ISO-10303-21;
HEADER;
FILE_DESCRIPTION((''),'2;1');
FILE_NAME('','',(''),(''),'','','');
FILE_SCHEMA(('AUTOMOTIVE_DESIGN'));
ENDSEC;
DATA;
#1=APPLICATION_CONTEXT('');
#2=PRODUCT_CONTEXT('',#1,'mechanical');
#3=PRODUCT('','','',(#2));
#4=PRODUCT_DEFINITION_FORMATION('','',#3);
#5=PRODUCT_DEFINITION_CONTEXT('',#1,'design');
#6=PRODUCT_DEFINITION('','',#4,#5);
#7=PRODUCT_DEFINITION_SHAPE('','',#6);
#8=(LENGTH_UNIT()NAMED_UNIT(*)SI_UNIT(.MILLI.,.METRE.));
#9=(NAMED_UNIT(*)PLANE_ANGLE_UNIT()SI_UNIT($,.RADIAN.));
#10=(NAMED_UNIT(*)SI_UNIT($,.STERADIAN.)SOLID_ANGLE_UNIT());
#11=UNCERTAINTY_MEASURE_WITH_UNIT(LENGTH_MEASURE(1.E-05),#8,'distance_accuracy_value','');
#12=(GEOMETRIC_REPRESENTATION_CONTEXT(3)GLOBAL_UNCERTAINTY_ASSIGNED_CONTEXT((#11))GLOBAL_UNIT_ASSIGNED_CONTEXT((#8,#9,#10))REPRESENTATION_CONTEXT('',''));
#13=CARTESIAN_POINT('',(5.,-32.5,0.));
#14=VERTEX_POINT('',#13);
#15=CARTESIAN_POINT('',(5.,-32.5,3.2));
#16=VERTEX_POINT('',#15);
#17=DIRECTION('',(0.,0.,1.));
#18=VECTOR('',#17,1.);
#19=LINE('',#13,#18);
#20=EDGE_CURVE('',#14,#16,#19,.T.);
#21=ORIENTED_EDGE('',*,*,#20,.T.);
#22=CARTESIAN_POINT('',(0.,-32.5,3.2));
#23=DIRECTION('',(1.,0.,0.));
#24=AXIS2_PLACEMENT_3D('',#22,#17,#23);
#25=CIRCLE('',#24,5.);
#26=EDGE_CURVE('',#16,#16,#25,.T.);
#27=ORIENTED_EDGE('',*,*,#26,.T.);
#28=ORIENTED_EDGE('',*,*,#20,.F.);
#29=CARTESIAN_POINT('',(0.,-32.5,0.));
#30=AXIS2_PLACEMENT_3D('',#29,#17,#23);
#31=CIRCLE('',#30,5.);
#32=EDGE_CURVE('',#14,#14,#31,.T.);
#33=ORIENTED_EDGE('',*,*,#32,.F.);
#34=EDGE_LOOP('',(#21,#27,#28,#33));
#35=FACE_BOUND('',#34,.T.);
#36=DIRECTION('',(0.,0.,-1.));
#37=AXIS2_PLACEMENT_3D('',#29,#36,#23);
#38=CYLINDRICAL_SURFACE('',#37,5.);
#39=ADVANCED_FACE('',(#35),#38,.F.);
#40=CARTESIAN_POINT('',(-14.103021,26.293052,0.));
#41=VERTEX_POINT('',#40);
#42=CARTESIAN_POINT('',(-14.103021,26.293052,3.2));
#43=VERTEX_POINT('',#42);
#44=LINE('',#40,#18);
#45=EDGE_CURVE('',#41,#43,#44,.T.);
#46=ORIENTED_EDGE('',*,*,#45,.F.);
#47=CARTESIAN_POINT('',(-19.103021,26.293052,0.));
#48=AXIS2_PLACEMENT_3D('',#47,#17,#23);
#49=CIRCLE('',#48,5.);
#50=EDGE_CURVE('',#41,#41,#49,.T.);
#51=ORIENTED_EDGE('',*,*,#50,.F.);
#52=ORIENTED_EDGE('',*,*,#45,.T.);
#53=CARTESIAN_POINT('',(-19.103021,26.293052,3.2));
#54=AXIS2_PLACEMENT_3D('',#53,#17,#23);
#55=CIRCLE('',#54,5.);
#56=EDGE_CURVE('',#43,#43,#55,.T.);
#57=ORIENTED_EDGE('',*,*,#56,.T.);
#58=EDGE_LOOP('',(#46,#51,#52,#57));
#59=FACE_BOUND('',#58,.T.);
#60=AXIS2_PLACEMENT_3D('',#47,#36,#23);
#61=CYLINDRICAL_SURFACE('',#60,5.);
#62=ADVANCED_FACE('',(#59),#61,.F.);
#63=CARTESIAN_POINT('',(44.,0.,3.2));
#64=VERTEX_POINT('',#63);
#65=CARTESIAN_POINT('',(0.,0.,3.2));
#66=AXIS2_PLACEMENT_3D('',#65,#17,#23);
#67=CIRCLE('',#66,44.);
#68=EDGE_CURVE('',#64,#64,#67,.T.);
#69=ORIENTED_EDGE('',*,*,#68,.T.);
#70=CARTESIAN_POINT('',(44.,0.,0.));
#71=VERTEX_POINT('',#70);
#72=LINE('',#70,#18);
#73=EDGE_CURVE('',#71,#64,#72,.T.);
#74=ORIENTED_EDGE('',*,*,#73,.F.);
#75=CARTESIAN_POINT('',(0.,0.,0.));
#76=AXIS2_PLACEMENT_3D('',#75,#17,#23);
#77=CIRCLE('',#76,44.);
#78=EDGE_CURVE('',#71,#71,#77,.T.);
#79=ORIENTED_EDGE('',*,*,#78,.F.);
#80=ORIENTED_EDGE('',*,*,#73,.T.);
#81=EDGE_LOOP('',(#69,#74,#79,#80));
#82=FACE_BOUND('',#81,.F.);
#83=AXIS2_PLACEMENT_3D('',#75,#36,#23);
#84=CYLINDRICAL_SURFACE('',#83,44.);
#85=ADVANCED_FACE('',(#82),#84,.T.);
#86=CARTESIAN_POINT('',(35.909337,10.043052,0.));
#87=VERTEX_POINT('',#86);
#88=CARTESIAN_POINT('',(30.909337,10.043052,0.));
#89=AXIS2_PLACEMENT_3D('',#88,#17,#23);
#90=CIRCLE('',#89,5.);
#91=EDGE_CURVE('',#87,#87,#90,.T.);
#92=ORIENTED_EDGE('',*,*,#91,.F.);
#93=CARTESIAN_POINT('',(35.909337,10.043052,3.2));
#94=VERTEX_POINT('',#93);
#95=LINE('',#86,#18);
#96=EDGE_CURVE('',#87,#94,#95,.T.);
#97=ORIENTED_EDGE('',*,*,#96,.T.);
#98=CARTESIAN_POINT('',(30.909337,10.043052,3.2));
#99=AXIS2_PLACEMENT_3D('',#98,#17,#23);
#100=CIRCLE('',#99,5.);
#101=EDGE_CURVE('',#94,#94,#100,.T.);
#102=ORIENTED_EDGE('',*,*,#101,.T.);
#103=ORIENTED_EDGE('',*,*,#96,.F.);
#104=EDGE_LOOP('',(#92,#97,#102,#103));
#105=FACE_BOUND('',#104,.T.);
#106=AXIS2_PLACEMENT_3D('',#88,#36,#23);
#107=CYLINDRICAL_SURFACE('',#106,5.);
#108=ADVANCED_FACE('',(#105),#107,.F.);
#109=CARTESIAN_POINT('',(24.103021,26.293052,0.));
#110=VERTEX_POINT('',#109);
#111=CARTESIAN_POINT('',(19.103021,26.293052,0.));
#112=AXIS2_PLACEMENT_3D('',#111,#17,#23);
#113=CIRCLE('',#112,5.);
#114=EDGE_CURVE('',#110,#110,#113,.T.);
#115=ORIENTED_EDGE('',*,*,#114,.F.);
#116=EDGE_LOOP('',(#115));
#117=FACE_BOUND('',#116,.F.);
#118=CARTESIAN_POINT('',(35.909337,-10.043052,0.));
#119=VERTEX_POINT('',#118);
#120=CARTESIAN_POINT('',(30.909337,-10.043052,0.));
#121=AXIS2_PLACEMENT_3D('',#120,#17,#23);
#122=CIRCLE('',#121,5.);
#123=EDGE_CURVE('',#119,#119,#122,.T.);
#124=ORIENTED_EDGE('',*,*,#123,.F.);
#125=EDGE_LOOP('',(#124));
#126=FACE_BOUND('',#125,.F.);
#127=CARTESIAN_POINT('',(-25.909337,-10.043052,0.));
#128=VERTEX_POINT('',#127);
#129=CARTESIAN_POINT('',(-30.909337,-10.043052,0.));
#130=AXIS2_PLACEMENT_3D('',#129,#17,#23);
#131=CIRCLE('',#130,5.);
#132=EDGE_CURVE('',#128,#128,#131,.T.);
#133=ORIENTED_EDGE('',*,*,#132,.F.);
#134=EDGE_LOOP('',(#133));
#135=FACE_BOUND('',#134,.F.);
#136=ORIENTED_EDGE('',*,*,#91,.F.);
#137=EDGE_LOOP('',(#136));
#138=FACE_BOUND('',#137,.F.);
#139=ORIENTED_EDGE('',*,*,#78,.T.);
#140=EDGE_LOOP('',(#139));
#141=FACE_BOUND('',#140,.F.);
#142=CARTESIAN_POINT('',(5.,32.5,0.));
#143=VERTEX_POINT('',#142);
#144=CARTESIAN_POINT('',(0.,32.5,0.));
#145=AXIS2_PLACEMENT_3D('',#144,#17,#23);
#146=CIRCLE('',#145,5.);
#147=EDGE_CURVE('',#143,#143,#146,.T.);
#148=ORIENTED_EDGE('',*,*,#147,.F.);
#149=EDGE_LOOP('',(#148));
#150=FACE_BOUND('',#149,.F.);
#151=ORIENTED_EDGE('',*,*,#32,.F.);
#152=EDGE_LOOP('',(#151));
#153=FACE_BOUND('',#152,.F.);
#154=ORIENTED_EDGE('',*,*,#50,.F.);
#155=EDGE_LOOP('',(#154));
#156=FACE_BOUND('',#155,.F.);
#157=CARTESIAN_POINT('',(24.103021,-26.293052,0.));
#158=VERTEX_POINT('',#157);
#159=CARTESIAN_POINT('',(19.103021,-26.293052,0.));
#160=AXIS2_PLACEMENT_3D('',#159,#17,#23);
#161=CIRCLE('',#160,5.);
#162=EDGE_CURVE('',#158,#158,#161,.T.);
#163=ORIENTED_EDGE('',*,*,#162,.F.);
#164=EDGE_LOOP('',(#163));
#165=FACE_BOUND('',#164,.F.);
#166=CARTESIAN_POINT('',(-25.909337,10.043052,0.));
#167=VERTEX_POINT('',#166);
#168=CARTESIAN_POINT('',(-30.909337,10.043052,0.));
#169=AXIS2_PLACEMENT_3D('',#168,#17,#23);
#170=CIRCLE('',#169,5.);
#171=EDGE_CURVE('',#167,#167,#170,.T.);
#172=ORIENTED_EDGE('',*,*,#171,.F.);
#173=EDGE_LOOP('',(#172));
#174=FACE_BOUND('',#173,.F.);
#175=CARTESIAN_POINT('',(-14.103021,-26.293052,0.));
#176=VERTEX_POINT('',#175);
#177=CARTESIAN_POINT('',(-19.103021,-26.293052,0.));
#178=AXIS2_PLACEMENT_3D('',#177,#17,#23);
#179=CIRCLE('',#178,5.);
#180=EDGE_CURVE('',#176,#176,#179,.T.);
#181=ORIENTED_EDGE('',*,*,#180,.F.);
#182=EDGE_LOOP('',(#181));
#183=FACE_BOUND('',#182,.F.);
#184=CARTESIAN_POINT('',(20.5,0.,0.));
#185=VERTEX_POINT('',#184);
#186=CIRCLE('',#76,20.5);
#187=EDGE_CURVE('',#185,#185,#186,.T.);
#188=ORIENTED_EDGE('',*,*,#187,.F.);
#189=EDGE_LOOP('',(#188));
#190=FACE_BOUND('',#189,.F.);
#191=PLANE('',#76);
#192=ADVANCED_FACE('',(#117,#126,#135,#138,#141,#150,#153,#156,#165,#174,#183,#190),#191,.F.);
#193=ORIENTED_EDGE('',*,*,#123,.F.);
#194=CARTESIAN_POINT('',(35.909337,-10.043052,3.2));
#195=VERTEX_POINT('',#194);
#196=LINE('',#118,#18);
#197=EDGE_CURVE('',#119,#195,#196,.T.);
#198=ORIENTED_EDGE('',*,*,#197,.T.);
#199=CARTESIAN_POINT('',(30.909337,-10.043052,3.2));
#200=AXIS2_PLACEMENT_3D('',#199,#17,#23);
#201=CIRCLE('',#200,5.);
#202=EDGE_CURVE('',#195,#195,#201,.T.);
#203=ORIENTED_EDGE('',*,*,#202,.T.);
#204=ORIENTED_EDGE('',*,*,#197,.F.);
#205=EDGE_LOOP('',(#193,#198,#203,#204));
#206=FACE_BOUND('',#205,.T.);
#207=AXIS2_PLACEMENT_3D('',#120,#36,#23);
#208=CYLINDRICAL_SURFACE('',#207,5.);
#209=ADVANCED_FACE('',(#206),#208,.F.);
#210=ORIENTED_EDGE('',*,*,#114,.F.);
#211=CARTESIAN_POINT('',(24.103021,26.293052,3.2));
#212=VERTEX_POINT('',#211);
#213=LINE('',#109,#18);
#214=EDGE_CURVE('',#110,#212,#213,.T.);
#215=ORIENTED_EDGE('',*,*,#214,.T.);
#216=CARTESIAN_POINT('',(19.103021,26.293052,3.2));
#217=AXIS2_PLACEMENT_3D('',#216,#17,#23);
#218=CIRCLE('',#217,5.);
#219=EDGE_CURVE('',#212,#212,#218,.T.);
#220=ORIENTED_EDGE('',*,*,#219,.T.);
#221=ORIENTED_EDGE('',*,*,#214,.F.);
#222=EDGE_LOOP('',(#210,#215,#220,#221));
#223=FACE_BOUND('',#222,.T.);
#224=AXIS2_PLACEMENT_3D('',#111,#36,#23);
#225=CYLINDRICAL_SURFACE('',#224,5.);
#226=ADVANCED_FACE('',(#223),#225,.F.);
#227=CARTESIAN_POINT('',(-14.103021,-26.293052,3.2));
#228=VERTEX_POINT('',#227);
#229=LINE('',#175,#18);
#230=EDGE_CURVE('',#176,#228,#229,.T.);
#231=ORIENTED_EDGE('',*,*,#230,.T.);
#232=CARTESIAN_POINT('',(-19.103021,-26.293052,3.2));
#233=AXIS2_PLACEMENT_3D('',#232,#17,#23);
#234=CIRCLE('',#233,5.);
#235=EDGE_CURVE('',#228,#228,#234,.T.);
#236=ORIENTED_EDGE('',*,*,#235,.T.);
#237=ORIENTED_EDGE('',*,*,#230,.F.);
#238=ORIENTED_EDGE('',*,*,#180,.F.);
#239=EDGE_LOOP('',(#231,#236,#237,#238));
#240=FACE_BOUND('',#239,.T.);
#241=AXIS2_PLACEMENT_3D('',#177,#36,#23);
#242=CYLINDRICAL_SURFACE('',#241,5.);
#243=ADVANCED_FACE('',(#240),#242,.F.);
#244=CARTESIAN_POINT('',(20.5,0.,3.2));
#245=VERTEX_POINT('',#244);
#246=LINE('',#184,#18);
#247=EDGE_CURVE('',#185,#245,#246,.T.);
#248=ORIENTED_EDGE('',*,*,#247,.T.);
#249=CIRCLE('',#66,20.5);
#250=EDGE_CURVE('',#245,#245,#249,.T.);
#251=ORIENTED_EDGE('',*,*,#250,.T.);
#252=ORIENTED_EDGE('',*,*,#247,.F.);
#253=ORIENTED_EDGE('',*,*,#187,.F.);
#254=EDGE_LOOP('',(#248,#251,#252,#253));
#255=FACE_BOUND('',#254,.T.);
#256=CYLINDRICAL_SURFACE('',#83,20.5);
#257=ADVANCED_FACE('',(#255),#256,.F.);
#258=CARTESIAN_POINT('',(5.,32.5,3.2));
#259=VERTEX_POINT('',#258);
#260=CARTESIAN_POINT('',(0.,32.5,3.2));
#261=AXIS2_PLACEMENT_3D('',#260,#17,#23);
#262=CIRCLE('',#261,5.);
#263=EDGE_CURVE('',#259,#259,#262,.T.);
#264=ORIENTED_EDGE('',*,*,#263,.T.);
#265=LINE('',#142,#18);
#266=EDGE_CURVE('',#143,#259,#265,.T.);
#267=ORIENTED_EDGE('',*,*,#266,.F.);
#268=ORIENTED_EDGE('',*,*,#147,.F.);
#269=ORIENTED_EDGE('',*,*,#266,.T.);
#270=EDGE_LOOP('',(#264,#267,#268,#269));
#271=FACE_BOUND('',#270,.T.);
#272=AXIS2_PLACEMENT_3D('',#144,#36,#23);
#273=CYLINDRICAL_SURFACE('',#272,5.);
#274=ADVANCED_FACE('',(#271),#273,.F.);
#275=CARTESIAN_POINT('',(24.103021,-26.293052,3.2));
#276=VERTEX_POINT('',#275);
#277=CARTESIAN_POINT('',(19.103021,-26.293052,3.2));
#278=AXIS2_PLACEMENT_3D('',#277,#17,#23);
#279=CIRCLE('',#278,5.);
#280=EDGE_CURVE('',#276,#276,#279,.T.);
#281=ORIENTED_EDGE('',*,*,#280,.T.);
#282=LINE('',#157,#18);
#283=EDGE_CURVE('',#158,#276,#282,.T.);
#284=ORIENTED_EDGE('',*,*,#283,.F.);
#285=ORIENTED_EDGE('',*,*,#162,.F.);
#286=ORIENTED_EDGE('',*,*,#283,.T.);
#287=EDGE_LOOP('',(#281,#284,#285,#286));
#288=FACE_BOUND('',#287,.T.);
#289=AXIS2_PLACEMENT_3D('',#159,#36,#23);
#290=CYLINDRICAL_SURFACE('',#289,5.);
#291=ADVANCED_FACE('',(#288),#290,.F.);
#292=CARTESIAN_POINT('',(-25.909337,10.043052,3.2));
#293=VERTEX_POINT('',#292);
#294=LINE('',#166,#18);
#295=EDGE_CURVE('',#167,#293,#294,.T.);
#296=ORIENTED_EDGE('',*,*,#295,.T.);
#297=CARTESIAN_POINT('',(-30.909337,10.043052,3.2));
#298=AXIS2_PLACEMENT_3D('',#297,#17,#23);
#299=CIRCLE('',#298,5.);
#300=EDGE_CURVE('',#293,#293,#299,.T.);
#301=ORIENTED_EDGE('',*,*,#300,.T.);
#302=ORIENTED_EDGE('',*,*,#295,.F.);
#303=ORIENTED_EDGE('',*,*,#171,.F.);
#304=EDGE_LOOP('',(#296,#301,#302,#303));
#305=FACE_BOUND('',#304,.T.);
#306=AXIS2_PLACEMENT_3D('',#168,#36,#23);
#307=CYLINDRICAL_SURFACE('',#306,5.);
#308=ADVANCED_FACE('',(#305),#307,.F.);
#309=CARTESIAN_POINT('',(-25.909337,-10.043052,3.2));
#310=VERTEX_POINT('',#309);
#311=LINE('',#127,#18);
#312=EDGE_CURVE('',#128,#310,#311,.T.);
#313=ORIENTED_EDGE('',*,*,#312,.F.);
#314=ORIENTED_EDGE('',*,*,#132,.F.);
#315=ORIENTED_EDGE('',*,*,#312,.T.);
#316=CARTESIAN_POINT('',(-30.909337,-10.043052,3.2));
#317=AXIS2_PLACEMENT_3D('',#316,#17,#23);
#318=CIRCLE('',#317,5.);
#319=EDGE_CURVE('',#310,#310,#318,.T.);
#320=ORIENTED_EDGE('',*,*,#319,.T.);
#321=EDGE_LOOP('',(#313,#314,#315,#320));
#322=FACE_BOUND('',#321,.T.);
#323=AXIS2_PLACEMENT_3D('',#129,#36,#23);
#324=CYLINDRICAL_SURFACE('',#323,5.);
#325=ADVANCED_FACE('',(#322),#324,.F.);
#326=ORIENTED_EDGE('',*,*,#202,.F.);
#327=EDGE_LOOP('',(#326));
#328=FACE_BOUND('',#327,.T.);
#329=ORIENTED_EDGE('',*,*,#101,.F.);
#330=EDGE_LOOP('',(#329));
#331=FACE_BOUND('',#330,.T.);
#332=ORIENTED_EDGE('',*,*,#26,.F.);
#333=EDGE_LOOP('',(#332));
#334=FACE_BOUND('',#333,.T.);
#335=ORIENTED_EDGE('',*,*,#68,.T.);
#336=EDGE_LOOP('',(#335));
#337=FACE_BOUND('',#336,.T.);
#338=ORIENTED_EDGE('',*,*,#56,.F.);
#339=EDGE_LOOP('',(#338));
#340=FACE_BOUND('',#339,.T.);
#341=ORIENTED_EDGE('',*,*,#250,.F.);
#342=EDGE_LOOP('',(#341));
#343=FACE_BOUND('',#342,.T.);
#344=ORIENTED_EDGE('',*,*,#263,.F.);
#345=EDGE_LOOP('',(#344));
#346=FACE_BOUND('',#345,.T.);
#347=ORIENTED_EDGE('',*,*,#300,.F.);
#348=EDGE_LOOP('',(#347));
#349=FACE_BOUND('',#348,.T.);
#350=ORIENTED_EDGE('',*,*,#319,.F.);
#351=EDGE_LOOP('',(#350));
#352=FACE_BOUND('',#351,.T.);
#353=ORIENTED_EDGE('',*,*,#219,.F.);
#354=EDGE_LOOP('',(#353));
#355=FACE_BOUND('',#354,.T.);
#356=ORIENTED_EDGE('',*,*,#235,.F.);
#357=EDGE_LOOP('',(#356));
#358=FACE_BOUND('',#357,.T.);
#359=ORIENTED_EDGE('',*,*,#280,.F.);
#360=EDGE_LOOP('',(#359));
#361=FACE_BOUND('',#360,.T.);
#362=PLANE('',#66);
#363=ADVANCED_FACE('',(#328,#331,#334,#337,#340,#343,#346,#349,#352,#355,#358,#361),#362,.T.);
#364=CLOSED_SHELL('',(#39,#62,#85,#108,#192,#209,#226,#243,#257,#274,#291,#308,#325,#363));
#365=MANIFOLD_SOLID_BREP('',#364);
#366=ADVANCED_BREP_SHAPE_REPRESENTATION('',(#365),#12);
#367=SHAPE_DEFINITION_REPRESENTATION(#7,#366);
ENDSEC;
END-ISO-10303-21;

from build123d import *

# Parameters (mm, degrees)
F0_R     = 44
F0_R_2   = 5
F0_R_3   = 20.5
F1_DEPTH = 3.2


with BuildPart() as f1:
    # F0 (on Top) → F1 (new body)
    with BuildSketch(Plane.XY):
        Circle(F0_R)
        with Locations((-19.103021, -26.293052)):
            Circle(F0_R_2, mode=Mode.SUBTRACT)
        with Locations((-30.909337, -10.043052)):
            Circle(F0_R_2, mode=Mode.SUBTRACT)
        with Locations((0, -32.5)):
            Circle(F0_R_2, mode=Mode.SUBTRACT)
        with Locations((19.103021, -26.293052)):
            Circle(F0_R_2, mode=Mode.SUBTRACT)
        with Locations((30.909337, -10.043052)):
            Circle(F0_R_2, mode=Mode.SUBTRACT)
        with Locations((-30.909337, 10.043052)):
            Circle(F0_R_2, mode=Mode.SUBTRACT)
        with Locations((-19.103021, 26.293052)):
            Circle(F0_R_2, mode=Mode.SUBTRACT)
        Circle(F0_R_3, mode=Mode.SUBTRACT)
        with Locations((30.909337, 10.043052)):
            Circle(F0_R_2, mode=Mode.SUBTRACT)
        with Locations((0, 32.5)):
            Circle(F0_R_2, mode=Mode.SUBTRACT)
        with Locations((19.103021, 26.293052)):
            Circle(F0_R_2, mode=Mode.SUBTRACT)
    extrude(amount=F1_DEPTH)


solid = f1.part
